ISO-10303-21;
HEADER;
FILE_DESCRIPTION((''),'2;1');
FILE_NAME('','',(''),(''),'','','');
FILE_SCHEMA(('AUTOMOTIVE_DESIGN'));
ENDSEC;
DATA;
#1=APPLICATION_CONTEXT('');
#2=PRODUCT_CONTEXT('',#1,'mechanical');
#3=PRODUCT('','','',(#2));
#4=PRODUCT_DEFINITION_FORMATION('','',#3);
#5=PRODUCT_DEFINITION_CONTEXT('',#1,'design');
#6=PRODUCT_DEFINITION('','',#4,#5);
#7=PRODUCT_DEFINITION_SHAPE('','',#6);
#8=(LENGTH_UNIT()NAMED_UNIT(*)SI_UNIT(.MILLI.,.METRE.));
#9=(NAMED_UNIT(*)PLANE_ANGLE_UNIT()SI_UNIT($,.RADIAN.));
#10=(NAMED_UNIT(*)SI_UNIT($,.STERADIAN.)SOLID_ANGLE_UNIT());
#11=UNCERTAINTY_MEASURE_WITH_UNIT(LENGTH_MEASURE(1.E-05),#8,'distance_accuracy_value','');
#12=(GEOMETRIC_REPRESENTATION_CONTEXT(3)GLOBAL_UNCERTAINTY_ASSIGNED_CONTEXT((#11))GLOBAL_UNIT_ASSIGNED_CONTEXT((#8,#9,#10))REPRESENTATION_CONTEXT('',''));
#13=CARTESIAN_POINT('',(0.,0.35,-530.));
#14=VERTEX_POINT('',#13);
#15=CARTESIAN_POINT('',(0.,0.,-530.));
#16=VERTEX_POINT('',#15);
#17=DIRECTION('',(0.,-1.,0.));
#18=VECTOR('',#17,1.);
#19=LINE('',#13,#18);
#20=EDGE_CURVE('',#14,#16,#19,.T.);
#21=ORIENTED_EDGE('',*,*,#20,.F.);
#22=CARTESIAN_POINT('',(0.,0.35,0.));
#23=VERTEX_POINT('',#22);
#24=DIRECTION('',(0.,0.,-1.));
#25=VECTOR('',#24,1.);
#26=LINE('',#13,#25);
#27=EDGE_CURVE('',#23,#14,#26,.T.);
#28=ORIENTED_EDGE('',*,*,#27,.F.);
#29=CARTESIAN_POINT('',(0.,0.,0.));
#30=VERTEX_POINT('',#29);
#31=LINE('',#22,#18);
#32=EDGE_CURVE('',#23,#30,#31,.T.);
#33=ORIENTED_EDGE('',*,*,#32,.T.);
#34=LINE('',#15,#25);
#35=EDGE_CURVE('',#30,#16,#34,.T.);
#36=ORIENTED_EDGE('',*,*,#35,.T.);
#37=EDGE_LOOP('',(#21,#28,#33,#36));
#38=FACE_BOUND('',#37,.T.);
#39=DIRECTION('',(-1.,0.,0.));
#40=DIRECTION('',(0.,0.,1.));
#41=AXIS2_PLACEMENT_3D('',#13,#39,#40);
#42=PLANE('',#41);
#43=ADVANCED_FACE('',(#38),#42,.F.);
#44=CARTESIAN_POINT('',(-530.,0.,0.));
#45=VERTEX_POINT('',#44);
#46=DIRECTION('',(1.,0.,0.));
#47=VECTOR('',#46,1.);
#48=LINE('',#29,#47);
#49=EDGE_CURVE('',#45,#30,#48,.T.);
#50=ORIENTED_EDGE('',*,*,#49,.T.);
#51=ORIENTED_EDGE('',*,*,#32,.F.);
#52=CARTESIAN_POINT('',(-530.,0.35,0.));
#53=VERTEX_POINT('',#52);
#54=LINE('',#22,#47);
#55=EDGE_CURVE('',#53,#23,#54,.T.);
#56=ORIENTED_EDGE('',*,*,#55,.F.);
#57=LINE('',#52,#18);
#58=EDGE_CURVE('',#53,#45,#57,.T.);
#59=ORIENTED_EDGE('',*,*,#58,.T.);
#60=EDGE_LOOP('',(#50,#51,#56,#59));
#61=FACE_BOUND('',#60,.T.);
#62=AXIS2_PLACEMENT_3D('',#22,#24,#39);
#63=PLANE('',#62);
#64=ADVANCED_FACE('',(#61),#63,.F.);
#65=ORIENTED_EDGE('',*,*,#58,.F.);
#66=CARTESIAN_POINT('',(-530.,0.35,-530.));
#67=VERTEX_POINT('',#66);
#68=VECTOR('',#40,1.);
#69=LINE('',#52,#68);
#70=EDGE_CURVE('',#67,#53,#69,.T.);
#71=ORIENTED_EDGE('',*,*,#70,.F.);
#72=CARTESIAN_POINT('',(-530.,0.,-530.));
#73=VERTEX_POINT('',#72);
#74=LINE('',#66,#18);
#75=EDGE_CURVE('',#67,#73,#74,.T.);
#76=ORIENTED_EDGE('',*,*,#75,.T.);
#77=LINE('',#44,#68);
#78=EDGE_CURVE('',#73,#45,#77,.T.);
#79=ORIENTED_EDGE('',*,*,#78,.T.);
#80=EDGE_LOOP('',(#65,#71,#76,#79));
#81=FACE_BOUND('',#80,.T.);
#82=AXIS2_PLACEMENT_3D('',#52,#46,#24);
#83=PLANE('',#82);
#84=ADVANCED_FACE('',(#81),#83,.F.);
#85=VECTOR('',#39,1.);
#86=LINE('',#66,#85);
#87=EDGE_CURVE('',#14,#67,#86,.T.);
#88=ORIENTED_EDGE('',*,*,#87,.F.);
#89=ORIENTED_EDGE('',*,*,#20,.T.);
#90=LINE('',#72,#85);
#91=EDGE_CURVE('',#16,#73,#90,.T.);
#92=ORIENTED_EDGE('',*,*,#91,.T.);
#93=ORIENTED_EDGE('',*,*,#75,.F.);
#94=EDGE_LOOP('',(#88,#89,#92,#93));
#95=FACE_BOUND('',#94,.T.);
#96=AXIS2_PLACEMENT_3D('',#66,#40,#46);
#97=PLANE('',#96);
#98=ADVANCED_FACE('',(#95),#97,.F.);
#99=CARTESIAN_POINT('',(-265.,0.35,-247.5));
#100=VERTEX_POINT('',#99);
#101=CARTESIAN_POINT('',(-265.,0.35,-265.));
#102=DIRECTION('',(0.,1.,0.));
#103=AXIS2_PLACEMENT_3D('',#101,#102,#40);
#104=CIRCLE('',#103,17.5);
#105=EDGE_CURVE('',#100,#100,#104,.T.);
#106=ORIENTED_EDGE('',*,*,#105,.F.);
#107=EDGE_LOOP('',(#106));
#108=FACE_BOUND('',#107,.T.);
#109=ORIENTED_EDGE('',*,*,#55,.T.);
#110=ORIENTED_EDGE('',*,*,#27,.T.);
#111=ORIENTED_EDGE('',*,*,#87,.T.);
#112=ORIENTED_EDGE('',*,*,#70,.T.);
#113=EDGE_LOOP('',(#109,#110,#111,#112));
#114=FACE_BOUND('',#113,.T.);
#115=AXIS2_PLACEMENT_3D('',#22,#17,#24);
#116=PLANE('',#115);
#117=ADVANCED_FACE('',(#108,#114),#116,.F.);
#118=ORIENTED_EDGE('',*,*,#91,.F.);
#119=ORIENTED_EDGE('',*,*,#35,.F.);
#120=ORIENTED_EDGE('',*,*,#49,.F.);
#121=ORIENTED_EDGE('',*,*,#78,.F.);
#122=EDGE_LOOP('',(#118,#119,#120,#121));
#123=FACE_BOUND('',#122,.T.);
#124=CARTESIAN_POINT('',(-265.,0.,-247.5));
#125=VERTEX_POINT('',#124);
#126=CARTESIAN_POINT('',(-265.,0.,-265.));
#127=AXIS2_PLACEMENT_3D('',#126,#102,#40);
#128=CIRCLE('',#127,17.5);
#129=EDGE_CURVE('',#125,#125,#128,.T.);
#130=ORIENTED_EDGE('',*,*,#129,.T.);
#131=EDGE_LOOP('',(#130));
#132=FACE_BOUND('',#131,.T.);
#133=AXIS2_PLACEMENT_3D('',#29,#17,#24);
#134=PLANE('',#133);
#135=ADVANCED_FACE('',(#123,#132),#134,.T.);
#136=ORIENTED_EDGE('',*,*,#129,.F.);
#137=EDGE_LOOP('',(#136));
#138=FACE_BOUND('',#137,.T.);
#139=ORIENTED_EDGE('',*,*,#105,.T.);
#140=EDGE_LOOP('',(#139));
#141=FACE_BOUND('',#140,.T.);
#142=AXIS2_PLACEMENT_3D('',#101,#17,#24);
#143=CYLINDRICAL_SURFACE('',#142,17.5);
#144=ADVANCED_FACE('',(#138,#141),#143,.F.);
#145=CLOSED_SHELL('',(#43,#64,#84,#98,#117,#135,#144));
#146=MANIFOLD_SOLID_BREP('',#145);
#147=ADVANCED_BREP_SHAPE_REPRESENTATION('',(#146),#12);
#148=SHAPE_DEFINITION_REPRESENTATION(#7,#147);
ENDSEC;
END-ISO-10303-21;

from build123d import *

# Parameters (mm, degrees)
SKETCH1_W           = 530
SKETCH1_H           = 530
SKETCH1_R           = 17.5
BOSS_EXTRUDE1_DEPTH = 0.35


with BuildPart() as part:
    # Sketch1 → Boss-Extrude1 (new body)
    with BuildSketch(Plane(origin=(0, 0, 0), x_dir=(1, 0, 0), z_dir=(0, 1, 0))):
        with Locations((-265, 265)):
            Rectangle(SKETCH1_W, SKETCH1_H)
        with Locations((-265, 265)):
            Circle(SKETCH1_R, mode=Mode.SUBTRACT)
    extrude(amount=BOSS_EXTRUDE1_DEPTH)


solid = part.part
